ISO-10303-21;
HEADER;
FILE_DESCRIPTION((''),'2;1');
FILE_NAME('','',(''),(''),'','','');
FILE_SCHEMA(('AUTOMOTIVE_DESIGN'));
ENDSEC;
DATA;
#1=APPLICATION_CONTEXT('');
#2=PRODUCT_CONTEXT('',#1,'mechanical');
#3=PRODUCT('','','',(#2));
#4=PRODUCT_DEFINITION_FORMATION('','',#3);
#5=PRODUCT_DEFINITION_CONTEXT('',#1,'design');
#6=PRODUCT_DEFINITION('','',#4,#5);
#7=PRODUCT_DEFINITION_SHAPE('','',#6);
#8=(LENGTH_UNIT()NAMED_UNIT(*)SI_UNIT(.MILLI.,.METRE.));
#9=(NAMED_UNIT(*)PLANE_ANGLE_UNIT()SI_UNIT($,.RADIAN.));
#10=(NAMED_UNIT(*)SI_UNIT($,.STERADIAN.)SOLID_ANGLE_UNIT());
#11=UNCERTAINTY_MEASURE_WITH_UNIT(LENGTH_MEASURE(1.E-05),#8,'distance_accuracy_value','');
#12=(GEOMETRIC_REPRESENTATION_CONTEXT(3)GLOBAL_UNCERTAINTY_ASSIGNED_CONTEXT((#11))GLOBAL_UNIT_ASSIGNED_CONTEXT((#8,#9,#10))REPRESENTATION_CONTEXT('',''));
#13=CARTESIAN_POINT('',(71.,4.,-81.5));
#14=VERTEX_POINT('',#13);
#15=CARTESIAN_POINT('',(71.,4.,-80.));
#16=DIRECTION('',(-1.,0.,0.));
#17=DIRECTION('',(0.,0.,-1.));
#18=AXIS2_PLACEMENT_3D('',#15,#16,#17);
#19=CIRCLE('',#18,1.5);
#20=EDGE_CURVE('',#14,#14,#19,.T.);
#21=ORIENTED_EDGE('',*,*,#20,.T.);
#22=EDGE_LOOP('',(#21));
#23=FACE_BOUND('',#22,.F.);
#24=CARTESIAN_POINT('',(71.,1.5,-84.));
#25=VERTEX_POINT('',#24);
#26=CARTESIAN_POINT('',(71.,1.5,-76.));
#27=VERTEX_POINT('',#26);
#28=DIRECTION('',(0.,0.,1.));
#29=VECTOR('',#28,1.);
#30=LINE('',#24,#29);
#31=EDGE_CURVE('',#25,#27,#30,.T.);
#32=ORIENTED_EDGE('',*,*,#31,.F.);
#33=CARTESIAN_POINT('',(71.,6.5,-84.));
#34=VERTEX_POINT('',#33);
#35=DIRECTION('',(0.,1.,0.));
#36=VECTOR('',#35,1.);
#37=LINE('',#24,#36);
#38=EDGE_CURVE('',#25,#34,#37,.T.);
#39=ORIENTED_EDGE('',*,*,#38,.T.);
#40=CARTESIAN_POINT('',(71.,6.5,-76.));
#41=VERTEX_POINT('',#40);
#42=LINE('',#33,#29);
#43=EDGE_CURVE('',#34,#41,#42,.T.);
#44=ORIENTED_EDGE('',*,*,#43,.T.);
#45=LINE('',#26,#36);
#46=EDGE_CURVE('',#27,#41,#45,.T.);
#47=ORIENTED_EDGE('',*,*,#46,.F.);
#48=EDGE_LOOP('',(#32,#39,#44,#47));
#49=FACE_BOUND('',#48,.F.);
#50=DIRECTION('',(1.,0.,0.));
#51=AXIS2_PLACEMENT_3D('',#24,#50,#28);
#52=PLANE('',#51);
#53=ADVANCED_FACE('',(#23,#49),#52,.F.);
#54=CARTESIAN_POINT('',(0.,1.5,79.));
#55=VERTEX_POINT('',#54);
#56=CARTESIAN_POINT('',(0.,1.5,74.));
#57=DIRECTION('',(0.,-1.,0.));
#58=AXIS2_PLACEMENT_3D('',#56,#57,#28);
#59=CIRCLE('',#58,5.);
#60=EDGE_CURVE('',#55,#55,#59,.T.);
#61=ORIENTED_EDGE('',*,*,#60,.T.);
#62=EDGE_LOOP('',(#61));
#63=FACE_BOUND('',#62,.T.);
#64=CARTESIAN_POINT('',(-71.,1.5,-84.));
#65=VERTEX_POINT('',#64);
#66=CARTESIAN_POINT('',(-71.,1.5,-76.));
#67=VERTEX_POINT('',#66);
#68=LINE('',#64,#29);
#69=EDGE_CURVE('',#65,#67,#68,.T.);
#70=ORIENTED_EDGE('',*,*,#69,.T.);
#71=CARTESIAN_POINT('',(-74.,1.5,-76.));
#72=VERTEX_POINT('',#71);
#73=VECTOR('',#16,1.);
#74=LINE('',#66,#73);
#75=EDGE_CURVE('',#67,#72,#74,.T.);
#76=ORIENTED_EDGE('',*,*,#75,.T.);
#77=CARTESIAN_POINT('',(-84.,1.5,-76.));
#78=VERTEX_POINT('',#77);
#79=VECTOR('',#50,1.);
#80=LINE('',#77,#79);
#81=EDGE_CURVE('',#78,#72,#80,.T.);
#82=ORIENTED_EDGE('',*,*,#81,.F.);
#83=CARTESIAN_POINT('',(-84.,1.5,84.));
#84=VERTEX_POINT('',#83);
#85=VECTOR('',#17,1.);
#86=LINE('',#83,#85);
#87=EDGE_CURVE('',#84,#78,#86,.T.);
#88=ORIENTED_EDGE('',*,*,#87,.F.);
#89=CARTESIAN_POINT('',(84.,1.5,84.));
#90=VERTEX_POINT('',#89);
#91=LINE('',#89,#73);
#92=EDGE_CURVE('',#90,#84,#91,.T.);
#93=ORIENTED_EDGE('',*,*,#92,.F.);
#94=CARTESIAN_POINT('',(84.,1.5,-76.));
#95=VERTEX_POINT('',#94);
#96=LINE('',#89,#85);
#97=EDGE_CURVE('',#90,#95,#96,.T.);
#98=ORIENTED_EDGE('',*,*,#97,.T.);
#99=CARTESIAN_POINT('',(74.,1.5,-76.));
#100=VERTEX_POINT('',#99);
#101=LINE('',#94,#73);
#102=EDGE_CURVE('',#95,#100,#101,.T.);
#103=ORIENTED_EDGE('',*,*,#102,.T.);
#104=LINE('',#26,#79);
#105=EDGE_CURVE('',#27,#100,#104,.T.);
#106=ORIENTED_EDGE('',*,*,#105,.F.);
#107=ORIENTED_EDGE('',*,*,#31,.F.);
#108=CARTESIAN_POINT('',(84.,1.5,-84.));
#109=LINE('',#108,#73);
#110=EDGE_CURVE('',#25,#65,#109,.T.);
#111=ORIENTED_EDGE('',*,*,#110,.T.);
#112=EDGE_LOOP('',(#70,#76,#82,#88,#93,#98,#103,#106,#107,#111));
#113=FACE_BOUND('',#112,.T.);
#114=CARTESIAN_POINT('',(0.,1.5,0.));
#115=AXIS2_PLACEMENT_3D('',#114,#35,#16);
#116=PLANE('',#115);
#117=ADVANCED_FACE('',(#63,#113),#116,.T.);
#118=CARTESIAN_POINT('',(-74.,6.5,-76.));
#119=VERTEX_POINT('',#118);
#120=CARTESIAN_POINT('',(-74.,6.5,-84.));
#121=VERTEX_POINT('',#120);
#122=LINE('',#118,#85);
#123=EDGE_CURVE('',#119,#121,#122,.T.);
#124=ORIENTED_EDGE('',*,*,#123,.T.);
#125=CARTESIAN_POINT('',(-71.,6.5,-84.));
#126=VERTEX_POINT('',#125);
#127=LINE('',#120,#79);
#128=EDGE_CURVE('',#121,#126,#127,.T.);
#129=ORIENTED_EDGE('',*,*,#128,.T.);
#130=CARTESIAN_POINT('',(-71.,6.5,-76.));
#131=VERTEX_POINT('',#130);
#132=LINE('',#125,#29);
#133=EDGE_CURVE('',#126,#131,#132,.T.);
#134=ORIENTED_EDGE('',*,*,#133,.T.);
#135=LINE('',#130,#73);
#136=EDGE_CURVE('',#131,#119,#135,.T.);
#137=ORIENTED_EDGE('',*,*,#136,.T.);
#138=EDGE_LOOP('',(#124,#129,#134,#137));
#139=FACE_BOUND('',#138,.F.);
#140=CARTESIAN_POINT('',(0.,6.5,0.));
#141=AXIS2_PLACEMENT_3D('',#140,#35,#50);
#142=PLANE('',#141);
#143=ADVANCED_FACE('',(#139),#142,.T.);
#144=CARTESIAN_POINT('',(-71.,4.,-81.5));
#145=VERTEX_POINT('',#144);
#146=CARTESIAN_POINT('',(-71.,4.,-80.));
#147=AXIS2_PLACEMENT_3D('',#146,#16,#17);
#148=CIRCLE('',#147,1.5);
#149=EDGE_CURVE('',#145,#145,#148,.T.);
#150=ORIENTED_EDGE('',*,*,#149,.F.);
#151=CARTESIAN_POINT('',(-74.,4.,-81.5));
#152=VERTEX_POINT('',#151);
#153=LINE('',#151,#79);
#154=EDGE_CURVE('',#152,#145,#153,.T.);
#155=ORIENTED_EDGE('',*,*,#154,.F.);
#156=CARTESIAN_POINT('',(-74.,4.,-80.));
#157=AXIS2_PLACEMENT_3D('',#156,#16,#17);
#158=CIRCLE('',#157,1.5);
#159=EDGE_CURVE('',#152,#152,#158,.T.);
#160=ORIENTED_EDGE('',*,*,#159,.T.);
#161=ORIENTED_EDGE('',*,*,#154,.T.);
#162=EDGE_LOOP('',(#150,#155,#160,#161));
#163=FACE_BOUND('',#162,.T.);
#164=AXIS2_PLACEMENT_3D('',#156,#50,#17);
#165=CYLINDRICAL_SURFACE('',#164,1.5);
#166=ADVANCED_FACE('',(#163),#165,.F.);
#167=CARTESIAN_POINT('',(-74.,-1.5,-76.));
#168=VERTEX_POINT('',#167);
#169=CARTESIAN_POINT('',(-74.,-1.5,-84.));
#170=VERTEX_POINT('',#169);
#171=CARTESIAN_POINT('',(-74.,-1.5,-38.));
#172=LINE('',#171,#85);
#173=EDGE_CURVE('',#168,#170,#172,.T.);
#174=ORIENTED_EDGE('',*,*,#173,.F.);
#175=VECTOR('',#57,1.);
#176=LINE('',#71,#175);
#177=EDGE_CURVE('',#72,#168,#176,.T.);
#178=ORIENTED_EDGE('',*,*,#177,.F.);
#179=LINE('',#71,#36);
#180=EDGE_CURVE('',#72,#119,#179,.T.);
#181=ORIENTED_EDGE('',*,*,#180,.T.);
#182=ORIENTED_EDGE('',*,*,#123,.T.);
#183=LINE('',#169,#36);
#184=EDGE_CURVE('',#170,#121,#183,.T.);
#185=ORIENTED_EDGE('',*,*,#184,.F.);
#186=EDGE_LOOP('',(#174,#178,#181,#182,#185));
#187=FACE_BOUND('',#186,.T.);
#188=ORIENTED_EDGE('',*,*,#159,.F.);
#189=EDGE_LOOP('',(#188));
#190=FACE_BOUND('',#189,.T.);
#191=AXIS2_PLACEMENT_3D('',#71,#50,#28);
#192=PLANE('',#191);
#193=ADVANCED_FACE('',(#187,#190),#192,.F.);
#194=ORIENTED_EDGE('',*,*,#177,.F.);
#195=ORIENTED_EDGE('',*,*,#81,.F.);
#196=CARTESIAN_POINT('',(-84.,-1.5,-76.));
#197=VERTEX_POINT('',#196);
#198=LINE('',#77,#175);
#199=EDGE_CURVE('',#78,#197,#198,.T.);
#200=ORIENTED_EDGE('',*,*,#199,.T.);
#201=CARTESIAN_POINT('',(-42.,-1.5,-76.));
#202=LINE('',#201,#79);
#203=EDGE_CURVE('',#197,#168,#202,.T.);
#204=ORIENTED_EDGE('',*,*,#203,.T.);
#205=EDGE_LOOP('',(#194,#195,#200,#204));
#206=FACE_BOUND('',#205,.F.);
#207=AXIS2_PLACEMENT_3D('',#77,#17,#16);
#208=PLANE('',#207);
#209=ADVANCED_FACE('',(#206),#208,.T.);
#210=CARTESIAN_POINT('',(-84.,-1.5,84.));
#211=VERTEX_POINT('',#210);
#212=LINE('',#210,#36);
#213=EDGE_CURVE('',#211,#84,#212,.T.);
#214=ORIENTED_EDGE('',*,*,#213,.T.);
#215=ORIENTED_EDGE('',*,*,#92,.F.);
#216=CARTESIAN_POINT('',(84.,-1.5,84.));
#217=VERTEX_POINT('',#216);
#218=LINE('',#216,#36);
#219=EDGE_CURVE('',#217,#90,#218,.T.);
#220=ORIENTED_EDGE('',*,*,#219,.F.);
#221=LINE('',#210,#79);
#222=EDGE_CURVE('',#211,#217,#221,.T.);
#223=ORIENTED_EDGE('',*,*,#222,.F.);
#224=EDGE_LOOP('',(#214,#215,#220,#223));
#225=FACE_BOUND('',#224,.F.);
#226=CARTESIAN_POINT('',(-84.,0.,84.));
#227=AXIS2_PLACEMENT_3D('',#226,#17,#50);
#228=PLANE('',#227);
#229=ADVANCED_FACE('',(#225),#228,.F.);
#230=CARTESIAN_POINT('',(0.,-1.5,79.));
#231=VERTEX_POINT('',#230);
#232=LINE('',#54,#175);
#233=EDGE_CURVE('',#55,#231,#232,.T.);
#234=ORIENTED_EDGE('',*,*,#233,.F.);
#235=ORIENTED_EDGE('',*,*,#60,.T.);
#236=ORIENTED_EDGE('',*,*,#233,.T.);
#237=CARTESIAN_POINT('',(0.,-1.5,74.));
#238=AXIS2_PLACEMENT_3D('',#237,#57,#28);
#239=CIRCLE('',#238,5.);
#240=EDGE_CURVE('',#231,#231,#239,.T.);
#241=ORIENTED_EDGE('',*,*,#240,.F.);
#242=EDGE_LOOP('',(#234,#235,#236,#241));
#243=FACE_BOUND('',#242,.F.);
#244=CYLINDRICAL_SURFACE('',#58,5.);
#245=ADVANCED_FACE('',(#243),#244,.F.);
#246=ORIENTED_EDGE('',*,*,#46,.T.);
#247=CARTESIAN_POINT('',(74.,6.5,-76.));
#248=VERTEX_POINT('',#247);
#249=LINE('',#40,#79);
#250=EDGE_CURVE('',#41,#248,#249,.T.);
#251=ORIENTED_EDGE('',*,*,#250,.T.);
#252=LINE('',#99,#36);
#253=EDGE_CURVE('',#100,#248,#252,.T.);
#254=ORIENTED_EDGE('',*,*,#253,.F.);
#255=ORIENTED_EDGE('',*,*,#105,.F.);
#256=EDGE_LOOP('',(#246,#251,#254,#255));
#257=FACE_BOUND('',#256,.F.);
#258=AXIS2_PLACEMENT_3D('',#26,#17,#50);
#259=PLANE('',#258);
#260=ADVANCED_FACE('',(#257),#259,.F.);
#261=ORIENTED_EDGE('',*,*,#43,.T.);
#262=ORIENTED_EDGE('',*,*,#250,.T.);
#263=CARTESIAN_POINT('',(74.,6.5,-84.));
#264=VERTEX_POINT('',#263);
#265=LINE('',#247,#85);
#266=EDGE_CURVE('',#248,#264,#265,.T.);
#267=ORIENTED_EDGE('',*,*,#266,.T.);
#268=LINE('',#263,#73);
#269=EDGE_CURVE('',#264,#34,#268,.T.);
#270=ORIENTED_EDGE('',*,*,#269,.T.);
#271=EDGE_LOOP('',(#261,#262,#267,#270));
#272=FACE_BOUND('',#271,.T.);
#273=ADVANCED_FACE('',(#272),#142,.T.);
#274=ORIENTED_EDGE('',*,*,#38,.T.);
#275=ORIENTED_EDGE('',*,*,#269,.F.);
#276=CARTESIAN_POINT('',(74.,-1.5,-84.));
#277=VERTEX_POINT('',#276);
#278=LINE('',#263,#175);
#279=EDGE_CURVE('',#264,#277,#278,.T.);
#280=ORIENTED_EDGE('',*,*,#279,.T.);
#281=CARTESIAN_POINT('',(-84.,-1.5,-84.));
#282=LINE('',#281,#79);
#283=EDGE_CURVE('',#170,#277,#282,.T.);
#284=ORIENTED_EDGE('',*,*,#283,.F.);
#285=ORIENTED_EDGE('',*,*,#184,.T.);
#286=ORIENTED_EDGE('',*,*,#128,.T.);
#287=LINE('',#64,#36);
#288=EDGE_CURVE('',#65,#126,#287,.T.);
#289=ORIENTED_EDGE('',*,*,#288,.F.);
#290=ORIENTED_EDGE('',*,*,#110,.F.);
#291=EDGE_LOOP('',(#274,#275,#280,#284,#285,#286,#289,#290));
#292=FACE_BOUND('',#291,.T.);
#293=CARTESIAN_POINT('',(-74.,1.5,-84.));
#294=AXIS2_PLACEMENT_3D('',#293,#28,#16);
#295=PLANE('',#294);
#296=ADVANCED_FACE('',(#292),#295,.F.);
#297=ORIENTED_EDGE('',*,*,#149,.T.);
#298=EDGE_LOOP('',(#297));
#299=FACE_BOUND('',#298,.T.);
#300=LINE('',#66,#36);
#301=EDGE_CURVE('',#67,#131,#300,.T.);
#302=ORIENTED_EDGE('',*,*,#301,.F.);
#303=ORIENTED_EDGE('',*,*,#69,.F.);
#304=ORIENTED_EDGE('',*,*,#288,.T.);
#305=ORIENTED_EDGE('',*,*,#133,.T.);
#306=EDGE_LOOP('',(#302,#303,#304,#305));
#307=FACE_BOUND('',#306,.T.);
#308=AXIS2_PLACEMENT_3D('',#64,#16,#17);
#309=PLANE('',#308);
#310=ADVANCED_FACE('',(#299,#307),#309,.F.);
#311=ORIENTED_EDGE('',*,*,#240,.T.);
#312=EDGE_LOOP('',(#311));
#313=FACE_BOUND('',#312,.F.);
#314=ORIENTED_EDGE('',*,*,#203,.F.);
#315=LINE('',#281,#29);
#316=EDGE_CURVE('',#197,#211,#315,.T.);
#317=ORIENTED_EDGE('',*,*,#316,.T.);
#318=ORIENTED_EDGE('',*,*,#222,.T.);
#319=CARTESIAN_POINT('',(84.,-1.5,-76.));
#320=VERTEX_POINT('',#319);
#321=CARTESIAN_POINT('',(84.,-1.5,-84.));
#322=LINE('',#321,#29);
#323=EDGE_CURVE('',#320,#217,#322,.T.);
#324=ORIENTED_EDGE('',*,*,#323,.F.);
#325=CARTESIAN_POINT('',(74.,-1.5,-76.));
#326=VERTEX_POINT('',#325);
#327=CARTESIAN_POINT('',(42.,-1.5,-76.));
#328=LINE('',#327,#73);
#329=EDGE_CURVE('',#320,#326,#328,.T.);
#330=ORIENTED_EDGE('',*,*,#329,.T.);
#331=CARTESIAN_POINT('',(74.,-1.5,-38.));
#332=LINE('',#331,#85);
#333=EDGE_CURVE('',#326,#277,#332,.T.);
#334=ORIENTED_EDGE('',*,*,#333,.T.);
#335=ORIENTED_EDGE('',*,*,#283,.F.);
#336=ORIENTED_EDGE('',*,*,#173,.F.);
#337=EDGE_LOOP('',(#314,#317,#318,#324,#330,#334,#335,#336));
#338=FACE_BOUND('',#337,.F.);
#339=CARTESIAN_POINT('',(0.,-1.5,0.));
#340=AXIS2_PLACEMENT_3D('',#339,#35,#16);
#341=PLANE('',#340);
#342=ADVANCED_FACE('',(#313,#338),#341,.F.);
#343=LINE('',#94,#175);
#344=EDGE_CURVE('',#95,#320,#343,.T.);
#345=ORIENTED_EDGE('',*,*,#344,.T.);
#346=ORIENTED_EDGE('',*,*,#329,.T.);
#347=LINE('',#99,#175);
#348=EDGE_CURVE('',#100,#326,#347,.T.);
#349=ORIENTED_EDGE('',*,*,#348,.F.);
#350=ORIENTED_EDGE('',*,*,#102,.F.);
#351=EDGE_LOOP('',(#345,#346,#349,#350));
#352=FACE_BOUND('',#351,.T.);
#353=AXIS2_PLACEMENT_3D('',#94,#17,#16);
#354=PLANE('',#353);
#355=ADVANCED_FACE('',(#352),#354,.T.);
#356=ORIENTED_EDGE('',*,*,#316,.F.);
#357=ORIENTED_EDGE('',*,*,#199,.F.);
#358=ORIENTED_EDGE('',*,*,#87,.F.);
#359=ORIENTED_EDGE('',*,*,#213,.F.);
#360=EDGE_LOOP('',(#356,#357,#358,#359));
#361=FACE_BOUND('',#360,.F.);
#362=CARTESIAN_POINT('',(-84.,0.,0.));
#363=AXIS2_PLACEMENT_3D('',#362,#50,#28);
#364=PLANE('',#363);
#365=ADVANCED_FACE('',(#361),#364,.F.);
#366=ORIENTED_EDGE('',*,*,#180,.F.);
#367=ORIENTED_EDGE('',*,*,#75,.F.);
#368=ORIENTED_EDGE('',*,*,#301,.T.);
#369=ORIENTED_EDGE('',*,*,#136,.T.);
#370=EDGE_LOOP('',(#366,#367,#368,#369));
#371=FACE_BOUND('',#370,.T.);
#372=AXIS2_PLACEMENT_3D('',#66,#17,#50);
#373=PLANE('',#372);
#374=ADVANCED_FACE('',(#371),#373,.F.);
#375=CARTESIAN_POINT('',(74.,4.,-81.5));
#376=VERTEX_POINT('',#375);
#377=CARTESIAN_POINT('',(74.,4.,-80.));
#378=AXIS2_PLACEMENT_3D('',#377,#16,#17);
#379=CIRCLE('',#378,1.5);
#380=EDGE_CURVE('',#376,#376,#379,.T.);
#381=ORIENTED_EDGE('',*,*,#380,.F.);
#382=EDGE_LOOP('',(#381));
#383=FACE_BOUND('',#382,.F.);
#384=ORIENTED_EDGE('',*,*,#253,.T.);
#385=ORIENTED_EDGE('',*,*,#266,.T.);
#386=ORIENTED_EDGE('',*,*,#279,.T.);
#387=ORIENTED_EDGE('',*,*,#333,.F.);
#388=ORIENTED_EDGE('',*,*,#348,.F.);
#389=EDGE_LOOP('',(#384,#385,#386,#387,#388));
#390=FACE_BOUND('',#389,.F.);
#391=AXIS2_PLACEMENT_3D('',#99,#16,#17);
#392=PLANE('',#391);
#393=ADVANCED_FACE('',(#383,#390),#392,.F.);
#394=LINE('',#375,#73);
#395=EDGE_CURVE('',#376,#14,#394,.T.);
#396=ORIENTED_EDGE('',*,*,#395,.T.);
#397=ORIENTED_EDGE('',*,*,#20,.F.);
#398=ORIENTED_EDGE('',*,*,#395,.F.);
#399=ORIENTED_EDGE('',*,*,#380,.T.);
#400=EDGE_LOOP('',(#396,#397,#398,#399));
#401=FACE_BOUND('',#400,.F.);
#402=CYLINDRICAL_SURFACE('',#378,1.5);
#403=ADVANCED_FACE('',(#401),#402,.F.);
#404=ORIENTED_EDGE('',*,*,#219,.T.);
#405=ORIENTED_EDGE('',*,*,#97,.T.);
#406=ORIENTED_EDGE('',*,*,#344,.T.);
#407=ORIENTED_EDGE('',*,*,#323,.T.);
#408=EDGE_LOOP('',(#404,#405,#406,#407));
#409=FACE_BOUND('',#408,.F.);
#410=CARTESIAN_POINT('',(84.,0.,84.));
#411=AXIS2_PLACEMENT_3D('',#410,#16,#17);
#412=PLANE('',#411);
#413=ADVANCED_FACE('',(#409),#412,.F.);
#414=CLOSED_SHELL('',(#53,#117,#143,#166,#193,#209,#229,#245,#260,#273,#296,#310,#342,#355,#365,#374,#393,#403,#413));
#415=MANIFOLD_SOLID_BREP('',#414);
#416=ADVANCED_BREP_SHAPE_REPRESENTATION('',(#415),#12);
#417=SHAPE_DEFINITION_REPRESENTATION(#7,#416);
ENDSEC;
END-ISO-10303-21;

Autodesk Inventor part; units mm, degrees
ref_plane "YZ Plane" through (0, 0, 0) normal (1, 0, 0) x (0, 1, 0)
ref_plane "XZ Plane" through (0, 0, 0) normal (0, 1, 0) x (-1, 0, 0)
ref_plane "XY Plane" through (0, 0, 0) normal (0, 0, 1) x (1, 0, 0)
sketch "Náčrt1" plane through (0, 0, 0) normal (0, 1, 0) x (-1, 0, 0)
  line L0 (84, 84) -> (-84, 84)
  line L1 (-84, 84) -> (-84, -84)
  line L2 (-84, -84) -> (84, -84)
  line L3 (84, -84) -> (84, 84)
  line L4 (0, -117.6) -> (0, 117.6) projected
  line L5 (-117.6, 0) -> (117.6, 0) projected
  point P0 (0, 0)
  dimension "d0" = 168
  dimension "d1" = 168
extrude "Vysunutí1" add sketch "Náčrt1" along normal mid plane 3
sketch "Náčrt2" plane through (0, 1.5, 0) normal (0, 1, 0) x (1, 0, 0)
  line L0 (-84, -84) -> (84, -84) projected
  line L1 (84, -84) -> (84, 84) projected
  point P0 (0, 0)
  point P1 (0, -74)
  dimension "d13" = 10
  dimension "d14" = 84
sketch "Náčrt3" plane through (0, 1.5, 0) normal (0, 1, 0) x (1, 0, 0)
  line L0 (74, 84) -> (84, 84)
  line L1 (84, 84) -> (84, 76)
  line L2 (84, 76) -> (74, 76)
  line L3 (74, 76) -> (74, 84)
  line L4 (84, 84) -> (-84, 84) projected
  line L5 (84, -84) -> (84, 84) projected
  point P0 (0, 0)
  dimension "d9" = 10
  dimension "d10" = 8
extrude "Vysunutí3" cut sketch "Náčrt3" against normal through all
mirror "Zrcadlit1" about plane through (0, 0, 0) normal (1, 0, 0) of "Vysunutí3"
hole "Díra1" at (0, 1.5, 74) direction (0, -1, 0) diameter 10 end through all
sketch "Náčrt4" plane through (0, 1.5, 0) normal (0, 1, 0) x (1, 0, 0)
  line L0 (71, 76) -> (74, 76)
  line L1 (74, 76) -> (74, 84)
  line L2 (74, 84) -> (71, 84)
  line L3 (71, 84) -> (71, 76)
  line L4 (74, 76) -> (74, 84) projected
  line L5 (74, 84) -> (-74, 84) projected
  point P0 (0, 0)
  dimension "d22" = 3
extrude "Vysunutí4" add sketch "Náčrt4" along normal blind 5
sketch "Náčrt5" plane through (74, -1.5, -76) normal (1, 0, 0) x (0, 0, -1)
  line L0 (0, 8) -> (8, 8) projected
  line L1 (0, 3) -> (0, 8) projected
  line L2 (8, 8) -> (8, 0) projected
  point P0 (-76, 1.5)
  point P1 (4, 5.5)
  dimension "d25" = 2.5
  dimension "d34" = 4
hole "Díra2" at (74, 4, -80) direction (-1, 0, 0) diameter 3 depth 3
mirror "Zrcadlit2" about plane through (0, 0, 0) normal (1, 0, 0) of "Vysunutí4", "Díra2"
properties part number "Cabinet - door"
